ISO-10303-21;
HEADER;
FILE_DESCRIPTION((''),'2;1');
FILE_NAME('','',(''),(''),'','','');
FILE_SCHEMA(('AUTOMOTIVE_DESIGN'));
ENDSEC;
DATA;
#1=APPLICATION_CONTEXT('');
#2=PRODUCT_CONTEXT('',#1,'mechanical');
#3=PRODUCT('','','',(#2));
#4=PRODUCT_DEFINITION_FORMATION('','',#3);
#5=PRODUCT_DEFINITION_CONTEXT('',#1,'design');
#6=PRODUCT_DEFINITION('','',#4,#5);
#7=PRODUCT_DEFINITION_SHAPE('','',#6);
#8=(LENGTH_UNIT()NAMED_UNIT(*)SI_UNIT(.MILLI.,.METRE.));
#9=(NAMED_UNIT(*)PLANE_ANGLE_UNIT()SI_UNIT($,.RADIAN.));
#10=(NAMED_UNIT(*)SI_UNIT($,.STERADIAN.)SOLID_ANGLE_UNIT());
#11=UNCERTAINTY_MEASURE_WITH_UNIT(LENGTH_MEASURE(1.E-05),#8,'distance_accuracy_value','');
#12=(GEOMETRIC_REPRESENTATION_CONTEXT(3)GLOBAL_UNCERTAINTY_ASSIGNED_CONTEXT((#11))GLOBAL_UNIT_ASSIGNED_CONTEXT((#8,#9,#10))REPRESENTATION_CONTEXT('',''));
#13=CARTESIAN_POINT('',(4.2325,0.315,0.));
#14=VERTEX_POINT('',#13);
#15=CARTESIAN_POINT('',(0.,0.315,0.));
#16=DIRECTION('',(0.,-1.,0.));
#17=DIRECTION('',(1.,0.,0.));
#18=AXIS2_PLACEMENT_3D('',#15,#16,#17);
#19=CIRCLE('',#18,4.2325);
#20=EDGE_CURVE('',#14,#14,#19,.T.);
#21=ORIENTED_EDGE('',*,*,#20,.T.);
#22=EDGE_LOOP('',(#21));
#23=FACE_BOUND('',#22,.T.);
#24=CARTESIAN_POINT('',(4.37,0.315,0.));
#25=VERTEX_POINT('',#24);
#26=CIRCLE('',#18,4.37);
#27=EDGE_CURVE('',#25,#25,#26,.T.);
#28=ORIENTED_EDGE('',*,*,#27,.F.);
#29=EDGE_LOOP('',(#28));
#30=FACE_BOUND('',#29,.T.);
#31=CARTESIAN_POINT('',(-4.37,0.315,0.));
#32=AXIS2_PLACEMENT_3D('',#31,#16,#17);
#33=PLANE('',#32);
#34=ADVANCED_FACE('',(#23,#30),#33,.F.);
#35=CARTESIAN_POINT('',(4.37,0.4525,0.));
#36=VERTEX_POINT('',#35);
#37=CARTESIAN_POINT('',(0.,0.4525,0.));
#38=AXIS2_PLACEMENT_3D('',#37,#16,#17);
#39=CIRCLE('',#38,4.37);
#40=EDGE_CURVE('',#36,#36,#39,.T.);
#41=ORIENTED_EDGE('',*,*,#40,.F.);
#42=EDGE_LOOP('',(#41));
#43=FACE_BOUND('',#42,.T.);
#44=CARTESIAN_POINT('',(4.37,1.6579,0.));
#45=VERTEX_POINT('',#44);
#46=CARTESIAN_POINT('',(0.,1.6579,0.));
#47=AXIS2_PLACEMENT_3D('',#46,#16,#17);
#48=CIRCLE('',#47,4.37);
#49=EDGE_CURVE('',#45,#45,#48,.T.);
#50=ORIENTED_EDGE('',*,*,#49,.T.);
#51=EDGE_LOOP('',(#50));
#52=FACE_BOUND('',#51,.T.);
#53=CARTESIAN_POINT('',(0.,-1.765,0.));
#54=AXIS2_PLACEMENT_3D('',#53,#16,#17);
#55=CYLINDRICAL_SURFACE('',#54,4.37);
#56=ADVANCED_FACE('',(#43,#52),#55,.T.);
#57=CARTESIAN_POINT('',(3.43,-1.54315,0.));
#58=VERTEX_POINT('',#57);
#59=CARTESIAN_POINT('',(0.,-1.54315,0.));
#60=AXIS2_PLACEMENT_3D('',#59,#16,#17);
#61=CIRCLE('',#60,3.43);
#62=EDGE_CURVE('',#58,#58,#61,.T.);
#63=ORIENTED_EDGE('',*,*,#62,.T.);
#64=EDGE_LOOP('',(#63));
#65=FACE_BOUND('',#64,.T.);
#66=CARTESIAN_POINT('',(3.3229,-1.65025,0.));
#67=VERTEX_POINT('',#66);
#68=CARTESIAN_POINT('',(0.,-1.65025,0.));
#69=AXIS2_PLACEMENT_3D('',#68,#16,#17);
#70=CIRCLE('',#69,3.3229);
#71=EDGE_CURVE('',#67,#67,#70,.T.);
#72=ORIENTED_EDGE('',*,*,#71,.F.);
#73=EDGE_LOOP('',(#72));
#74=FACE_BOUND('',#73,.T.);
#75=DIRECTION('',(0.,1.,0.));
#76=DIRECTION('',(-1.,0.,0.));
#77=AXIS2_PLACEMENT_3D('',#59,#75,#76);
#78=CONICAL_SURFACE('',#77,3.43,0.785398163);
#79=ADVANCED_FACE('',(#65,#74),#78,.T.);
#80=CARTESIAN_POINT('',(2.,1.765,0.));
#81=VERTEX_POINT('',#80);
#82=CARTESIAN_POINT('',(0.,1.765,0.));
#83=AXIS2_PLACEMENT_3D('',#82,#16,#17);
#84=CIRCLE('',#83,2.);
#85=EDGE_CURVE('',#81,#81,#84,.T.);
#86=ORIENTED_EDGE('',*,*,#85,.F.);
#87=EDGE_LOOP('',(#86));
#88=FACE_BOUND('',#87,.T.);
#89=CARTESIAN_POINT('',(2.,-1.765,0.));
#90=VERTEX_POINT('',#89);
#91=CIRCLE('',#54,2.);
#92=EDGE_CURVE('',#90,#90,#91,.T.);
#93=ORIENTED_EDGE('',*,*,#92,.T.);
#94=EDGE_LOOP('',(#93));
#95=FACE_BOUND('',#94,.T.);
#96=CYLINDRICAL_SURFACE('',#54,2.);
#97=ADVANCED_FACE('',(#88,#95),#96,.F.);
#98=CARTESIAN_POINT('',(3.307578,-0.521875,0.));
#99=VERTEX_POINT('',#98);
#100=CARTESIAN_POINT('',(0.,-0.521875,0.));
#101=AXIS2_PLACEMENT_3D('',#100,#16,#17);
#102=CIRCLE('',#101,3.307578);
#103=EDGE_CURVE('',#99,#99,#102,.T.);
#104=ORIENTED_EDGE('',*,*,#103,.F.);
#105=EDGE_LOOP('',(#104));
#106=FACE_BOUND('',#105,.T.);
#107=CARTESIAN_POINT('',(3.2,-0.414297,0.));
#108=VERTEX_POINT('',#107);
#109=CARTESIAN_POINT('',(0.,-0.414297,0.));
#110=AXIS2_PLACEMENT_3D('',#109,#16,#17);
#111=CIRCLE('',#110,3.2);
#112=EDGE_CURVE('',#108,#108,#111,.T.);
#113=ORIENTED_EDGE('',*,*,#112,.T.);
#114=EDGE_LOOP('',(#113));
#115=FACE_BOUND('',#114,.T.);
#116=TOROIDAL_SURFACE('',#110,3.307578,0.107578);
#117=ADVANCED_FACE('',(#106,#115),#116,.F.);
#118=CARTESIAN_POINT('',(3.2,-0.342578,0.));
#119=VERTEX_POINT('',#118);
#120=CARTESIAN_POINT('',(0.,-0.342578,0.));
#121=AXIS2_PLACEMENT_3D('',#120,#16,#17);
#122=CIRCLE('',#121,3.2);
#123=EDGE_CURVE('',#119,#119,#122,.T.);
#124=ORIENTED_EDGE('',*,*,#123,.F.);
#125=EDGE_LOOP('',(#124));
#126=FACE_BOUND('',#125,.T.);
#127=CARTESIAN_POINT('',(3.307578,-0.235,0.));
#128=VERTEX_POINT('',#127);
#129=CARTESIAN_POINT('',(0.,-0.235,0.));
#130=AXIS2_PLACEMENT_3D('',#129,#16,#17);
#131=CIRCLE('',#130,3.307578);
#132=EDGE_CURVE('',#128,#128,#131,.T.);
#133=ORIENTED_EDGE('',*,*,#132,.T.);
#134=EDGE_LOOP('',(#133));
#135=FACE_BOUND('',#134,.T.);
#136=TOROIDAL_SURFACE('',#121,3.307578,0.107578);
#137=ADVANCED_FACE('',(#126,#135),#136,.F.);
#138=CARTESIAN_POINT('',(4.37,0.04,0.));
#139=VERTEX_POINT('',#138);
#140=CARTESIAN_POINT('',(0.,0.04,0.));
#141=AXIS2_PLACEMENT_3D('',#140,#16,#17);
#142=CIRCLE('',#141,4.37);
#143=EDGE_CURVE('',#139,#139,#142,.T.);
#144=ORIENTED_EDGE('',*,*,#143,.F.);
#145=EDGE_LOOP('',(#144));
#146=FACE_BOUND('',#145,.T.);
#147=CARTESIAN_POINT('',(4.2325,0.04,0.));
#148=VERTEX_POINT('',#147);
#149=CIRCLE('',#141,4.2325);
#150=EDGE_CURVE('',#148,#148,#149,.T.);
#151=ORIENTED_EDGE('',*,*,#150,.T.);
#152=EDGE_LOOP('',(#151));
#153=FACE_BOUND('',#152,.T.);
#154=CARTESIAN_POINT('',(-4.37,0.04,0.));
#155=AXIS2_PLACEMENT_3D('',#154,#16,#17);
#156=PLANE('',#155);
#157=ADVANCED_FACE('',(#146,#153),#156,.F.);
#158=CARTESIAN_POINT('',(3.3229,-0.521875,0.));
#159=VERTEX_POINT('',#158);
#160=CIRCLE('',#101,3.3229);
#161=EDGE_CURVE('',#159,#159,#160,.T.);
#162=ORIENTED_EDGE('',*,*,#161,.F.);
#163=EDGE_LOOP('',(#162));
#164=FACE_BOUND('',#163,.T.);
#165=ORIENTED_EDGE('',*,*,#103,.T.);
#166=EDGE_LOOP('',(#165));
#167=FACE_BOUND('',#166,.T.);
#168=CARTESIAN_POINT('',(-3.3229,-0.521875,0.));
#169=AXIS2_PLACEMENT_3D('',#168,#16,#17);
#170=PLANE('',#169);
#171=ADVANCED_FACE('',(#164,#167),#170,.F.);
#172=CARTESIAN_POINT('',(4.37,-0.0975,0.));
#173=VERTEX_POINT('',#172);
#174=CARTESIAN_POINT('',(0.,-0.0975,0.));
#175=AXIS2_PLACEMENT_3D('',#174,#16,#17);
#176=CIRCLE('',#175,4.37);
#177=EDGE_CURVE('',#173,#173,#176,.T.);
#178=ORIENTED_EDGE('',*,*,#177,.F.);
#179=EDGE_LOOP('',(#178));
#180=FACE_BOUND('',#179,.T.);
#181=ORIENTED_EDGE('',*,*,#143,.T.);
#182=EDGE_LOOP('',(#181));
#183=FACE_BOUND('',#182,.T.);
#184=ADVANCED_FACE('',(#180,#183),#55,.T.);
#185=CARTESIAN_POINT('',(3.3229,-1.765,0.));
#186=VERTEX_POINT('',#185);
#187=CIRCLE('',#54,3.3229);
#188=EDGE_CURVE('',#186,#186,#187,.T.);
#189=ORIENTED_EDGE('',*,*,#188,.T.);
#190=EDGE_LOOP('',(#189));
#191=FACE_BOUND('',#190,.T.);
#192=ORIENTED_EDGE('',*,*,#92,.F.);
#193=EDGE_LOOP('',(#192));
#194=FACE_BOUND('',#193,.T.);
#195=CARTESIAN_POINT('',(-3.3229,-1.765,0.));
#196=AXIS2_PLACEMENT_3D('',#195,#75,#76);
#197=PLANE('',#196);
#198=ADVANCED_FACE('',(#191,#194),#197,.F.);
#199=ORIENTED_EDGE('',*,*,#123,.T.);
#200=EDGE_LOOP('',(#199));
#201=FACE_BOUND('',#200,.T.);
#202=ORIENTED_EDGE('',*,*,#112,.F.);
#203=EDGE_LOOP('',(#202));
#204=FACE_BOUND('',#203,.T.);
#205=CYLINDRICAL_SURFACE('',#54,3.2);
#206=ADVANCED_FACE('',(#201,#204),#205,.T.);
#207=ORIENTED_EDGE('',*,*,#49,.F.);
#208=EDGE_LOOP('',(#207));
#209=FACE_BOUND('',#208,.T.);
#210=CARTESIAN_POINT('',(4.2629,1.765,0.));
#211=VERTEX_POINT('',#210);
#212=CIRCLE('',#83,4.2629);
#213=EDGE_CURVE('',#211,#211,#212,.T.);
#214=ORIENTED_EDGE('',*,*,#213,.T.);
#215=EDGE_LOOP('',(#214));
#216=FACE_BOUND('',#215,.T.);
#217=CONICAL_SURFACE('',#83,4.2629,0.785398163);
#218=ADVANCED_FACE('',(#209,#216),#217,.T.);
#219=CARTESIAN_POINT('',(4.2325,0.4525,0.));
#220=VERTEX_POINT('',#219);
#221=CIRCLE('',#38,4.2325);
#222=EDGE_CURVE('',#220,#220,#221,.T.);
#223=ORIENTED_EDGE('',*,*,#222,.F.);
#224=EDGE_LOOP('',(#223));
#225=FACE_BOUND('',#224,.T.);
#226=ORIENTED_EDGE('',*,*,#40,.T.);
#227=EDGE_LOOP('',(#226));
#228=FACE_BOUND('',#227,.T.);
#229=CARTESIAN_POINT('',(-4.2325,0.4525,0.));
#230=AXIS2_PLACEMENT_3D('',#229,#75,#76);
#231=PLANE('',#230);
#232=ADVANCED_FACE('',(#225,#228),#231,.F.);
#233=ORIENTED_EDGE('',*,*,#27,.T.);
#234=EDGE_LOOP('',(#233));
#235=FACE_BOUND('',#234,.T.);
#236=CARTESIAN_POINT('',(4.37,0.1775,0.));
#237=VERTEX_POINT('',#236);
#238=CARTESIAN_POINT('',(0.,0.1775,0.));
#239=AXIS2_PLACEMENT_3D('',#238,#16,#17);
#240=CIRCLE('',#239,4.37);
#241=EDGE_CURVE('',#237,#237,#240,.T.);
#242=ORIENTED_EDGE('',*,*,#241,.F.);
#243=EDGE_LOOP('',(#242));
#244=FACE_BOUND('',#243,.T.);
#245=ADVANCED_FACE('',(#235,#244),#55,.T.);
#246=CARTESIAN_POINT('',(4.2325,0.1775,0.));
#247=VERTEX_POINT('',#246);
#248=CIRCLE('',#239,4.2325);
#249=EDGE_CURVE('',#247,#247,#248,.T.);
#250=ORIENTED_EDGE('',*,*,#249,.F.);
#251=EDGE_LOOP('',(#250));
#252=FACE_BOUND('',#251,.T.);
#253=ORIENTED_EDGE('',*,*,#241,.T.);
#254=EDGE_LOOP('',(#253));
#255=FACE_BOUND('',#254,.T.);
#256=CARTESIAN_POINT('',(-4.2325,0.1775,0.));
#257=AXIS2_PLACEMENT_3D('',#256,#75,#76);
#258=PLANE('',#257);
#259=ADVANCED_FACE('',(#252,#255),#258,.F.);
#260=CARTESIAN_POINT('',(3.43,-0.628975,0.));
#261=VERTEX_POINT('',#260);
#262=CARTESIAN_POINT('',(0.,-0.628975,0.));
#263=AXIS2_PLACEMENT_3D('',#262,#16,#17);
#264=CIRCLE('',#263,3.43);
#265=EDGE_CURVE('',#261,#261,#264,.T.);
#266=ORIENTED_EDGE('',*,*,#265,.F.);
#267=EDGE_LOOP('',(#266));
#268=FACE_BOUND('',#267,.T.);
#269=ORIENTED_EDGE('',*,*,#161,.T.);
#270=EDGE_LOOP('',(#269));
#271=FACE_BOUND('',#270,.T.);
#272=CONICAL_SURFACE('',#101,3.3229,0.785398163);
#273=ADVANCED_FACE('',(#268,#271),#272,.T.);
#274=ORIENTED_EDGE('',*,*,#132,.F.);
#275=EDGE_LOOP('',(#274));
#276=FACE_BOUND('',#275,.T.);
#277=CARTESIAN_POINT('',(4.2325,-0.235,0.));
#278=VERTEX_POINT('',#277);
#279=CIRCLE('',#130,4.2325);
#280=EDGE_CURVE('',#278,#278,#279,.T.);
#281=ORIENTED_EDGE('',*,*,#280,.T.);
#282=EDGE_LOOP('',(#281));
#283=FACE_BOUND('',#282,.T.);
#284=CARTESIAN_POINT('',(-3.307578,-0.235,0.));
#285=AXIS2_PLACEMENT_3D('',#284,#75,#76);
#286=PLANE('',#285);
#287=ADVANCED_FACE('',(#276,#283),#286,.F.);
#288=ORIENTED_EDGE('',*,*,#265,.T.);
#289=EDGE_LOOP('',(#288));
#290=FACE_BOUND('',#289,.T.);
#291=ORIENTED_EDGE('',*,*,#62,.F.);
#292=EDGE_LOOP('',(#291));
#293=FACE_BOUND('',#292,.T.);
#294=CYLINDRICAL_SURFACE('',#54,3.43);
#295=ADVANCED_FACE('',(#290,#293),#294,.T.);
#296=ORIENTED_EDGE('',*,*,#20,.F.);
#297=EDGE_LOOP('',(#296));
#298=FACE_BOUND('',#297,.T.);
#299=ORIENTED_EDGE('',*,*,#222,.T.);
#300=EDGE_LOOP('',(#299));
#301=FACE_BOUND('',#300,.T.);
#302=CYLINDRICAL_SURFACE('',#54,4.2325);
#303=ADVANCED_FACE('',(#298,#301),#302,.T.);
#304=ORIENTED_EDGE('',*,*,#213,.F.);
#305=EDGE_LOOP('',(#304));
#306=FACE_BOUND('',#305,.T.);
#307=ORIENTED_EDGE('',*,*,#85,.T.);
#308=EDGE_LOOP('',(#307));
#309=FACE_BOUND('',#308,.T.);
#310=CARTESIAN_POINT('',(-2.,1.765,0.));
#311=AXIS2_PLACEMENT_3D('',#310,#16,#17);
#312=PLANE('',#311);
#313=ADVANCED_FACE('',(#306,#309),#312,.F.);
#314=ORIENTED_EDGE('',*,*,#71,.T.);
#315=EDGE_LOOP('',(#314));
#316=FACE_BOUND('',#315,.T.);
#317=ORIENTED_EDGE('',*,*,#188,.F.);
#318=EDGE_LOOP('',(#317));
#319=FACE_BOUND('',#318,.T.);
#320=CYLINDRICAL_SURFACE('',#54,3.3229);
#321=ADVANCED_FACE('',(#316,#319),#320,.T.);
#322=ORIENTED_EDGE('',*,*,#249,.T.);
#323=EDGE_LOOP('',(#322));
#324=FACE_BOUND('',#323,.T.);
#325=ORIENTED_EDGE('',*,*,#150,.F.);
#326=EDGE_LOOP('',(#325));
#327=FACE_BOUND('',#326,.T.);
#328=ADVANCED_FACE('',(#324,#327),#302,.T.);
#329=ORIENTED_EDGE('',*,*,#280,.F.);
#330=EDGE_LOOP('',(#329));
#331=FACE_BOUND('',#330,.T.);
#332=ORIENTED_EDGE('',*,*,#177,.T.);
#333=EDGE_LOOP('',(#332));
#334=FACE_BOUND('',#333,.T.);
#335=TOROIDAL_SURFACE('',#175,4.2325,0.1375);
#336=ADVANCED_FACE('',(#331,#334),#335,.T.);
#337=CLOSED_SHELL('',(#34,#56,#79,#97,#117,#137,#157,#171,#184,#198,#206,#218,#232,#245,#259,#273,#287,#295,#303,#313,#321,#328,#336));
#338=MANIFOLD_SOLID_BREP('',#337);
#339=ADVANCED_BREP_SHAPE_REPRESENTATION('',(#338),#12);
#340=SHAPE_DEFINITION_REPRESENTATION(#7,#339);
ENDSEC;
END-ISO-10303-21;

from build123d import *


with BuildPart() as part:
    # Sketch3 → Revolve1 (revolve)
    with BuildSketch(Plane.XY):
        with BuildLine():
            Line((-2, 1.765), (-2, -1.765))
            Line((-2, -1.765), (-3.3229, -1.765))
            Line((-3.3229, -1.765), (-3.3229, -1.65025))
            Line((-3.3229, -1.65025), (-3.43, -1.54315))
            Line((-3.43, -1.54315), (-3.43, -0.628975))
            Line((-3.43, -0.628975), (-3.3229, -0.521875))
            Line((-3.3229, -0.521875), (-3.307578125, -0.521875))
            ThreePointArc((-3.307578125, -0.521875), (-3.231508903, -0.490366097), (-3.2, -0.414296875))
            Line((-3.2, -0.414296875), (-3.2, -0.342578125))
            ThreePointArc((-3.2, -0.342578125), (-3.231508903, -0.266508903), (-3.307578125, -0.235))
            Line((-3.307578125, -0.235), (-4.2325, -0.235))
            ThreePointArc((-4.2325, -0.235), (-4.329727182, -0.194727182), (-4.37, -0.0975))
            Line((-4.37, -0.0975), (-4.37, 0.04))
            Line((-4.37, 0.04), (-4.2325, 0.04))
            Line((-4.2325, 0.04), (-4.2325, 0.1775))
            Line((-4.2325, 0.1775), (-4.37, 0.1775))
            Line((-4.37, 0.1775), (-4.37, 0.315))
            Line((-4.37, 0.315), (-4.2325, 0.315))
            Line((-4.2325, 0.315), (-4.2325, 0.4525))
            Line((-4.2325, 0.4525), (-4.37, 0.4525))
            Line((-4.37, 0.4525), (-4.37, 1.6579))
            Line((-4.37, 1.6579), (-4.2629, 1.765))
            Line((-4.2629, 1.765), (-2, 1.765))
        make_face()
    revolve(axis=Axis((0, -1.765, 0), (0, 1, 0)))


solid = part.part
